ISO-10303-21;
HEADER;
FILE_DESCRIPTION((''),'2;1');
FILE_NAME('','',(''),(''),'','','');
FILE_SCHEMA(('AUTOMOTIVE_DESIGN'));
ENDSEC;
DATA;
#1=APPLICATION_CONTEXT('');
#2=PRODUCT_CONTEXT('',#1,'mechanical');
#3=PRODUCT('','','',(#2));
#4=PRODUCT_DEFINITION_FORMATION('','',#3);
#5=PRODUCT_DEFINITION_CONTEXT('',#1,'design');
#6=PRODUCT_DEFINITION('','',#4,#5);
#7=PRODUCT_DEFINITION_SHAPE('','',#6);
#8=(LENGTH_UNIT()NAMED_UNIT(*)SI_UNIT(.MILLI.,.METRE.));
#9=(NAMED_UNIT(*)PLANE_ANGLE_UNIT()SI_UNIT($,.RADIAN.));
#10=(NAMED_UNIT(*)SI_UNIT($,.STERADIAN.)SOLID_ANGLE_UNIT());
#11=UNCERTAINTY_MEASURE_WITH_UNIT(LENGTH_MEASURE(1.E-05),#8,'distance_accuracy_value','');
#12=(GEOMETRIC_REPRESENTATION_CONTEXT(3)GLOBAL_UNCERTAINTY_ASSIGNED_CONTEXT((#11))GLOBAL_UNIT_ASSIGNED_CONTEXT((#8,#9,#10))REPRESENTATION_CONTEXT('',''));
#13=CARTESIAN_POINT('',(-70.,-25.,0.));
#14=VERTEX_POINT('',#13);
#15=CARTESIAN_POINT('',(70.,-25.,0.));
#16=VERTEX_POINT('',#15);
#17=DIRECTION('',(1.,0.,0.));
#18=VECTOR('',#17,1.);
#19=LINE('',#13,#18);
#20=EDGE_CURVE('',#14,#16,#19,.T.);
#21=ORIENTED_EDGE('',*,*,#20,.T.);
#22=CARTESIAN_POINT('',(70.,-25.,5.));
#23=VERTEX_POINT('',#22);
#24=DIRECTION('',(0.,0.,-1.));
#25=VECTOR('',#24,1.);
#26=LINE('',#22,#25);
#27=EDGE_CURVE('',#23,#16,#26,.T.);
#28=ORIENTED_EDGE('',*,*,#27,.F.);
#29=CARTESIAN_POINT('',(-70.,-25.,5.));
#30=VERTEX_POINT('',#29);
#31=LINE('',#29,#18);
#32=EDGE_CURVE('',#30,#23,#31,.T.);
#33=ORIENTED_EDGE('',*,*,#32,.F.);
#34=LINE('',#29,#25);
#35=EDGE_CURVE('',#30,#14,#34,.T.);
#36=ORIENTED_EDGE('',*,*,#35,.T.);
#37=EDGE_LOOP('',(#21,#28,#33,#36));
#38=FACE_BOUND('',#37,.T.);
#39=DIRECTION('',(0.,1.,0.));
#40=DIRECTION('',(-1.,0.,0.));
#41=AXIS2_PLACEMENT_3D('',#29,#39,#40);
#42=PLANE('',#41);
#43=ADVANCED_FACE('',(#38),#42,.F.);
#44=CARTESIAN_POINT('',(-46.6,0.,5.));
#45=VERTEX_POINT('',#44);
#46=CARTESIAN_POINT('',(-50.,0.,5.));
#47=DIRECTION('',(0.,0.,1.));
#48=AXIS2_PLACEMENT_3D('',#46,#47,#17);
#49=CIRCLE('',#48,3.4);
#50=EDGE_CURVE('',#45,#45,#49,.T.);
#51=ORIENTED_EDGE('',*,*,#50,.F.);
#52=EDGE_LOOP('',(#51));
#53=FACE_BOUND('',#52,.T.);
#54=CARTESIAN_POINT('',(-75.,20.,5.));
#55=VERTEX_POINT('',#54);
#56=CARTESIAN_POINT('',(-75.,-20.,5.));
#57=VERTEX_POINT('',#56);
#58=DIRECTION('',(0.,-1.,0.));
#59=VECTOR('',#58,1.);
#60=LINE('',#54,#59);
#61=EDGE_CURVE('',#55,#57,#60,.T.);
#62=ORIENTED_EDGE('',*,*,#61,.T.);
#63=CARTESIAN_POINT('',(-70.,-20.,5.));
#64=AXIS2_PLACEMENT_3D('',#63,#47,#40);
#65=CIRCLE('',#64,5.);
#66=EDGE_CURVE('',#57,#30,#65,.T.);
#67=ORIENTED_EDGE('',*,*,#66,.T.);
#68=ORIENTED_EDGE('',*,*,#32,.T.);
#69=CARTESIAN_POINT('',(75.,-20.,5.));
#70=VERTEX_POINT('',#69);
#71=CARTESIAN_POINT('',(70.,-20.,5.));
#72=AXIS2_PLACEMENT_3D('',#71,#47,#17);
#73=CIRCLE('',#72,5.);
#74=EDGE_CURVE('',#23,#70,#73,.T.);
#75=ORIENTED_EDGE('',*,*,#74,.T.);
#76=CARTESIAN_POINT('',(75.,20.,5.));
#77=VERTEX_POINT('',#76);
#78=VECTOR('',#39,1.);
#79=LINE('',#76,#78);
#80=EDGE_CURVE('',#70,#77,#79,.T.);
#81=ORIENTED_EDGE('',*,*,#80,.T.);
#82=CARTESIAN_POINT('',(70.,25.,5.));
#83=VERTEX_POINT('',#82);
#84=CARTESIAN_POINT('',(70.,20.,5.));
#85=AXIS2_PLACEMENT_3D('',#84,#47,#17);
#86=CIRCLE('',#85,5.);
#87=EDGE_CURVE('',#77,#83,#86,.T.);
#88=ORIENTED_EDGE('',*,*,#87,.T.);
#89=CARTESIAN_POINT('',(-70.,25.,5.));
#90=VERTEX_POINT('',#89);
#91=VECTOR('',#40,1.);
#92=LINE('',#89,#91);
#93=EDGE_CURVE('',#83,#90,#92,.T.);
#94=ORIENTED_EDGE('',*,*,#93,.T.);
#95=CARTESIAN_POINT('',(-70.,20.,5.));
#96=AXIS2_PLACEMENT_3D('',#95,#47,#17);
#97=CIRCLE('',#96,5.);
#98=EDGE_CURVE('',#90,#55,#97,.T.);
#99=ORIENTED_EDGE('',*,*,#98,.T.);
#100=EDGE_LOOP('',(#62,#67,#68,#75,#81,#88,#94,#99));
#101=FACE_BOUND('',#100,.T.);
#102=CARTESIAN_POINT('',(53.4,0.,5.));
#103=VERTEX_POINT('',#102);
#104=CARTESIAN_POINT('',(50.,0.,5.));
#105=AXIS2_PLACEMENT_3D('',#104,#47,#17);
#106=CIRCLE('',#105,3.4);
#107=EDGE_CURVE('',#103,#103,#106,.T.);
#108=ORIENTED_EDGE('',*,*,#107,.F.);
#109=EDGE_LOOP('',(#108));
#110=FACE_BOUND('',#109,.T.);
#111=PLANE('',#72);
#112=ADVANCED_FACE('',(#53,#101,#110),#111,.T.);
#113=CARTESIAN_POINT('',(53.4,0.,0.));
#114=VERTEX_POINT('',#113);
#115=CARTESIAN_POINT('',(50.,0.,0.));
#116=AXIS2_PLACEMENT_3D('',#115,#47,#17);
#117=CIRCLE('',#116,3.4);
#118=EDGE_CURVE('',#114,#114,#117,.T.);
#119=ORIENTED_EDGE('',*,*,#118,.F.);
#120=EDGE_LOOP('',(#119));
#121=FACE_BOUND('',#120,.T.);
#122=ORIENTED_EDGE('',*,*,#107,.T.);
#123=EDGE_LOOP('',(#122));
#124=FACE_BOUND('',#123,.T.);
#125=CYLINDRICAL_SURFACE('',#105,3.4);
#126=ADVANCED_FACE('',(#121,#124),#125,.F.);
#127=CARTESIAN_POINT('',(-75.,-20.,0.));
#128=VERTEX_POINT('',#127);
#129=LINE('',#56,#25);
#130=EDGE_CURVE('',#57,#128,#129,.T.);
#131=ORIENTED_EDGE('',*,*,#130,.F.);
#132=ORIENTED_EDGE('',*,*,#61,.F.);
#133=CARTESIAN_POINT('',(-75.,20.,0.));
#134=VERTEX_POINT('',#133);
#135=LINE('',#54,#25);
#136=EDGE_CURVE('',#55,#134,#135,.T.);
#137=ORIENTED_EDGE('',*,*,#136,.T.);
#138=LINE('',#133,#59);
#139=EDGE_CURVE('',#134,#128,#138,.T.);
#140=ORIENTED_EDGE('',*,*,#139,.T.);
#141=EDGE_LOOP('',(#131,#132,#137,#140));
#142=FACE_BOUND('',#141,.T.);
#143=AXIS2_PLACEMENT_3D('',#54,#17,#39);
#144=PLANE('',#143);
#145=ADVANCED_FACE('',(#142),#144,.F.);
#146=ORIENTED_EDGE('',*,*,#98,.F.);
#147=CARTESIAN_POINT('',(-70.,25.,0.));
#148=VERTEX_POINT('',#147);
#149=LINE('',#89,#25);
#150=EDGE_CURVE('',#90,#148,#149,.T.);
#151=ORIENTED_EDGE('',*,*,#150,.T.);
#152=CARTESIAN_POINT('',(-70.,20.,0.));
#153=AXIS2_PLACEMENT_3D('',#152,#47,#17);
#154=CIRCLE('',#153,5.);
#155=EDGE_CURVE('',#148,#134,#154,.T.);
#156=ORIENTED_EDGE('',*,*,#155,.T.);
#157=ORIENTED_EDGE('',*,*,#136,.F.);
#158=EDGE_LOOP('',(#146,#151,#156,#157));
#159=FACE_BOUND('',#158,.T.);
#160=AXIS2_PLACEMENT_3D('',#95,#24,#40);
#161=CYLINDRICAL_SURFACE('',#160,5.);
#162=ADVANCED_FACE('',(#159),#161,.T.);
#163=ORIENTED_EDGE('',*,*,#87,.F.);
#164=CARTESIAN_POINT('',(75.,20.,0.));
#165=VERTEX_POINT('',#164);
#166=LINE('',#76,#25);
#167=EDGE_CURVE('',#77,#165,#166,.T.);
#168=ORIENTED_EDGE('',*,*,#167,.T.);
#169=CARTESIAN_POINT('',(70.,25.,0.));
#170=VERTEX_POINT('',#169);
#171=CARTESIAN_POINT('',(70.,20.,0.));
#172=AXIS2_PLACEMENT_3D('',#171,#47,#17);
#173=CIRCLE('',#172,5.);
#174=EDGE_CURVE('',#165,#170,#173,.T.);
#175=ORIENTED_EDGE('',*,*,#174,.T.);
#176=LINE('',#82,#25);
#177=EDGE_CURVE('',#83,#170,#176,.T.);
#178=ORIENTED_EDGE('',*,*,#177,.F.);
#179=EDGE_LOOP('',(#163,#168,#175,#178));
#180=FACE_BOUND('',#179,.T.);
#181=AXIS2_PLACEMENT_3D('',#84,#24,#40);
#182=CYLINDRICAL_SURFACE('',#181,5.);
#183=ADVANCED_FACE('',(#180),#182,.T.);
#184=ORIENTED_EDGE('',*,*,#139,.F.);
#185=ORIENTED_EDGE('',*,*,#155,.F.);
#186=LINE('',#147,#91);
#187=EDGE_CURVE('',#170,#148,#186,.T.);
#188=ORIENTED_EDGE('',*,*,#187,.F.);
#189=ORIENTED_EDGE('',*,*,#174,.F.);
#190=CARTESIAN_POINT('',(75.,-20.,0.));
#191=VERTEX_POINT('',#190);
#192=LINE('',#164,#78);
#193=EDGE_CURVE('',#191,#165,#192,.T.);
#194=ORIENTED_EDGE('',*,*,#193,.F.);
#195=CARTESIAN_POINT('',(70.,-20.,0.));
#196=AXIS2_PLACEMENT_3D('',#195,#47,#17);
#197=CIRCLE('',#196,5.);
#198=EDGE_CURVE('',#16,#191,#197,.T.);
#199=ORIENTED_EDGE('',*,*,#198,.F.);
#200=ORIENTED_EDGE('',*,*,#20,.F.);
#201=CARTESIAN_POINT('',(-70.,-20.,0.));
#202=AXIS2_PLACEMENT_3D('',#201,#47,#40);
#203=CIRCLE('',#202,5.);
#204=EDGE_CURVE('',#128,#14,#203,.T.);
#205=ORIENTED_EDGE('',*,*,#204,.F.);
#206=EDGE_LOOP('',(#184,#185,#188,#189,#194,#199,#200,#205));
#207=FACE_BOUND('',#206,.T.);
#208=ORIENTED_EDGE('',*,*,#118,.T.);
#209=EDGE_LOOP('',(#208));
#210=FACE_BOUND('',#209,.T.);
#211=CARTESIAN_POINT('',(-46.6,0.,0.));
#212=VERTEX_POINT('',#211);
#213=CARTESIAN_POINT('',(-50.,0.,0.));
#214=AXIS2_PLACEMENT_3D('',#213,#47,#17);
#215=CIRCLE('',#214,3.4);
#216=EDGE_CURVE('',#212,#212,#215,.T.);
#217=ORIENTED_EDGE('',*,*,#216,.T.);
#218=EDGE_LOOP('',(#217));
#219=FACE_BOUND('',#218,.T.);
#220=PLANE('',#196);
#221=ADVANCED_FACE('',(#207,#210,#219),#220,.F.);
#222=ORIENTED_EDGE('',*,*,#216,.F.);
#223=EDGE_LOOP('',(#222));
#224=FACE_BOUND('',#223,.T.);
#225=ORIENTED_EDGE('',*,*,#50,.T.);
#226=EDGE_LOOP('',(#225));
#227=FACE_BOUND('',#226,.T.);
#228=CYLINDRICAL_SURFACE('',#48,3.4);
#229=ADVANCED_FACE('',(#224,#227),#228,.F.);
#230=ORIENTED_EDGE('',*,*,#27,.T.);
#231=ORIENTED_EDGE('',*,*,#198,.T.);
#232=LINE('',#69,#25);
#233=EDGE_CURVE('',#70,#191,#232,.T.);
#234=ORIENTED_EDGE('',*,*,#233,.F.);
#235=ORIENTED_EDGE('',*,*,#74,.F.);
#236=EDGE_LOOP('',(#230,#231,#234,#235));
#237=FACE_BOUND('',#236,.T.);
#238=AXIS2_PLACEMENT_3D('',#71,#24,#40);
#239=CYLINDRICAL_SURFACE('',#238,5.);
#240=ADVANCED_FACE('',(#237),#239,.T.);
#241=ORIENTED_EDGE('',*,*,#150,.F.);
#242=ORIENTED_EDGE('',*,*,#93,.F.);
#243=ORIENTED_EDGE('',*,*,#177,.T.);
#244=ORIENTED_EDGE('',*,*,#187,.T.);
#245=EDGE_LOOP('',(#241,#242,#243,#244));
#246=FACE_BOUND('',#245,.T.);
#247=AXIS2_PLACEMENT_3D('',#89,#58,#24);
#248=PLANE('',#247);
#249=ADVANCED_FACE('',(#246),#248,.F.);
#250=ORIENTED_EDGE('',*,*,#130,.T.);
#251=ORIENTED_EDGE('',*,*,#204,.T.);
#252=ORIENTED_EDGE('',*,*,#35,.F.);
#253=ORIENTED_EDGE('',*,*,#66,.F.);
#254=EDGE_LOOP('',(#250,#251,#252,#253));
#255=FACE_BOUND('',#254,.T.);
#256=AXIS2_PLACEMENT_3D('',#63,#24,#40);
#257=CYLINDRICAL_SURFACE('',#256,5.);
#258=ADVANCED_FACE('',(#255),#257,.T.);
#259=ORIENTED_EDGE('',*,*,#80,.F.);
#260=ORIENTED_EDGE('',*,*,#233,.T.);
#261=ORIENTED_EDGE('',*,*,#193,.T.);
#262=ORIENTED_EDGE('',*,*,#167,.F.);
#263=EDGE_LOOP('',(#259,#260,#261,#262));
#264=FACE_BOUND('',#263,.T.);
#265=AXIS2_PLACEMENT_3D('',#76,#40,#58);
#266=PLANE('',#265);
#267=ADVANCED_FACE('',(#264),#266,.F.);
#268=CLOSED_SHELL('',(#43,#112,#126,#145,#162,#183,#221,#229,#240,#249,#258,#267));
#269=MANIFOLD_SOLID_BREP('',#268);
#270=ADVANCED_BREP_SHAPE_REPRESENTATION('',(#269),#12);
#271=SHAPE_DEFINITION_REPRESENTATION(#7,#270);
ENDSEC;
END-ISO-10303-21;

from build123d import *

# Parameters (mm, degrees)
EXTRUDE_1_DEPTH    = 5
HOLE_WIZARD_M8_2_D = 6.8


with BuildPart() as part:
    # 草图1 → 凸台-拉伸1 (new body)
    with BuildSketch(Plane.XY):
        with BuildLine():
            Line((-70, 25), (70, 25))
            ThreePointArc((70, 25), (73.535533906, 23.535533906), (75, 20))
            Line((75, 20), (75, -20))
            ThreePointArc((75, -20), (73.535533906, -23.535533906), (70, -25))
            Line((70, -25), (-70, -25))
            ThreePointArc((-70, -25), (-73.535533906, -23.535533906), (-75, -20))
            Line((-75, -20), (-75, 20))
            ThreePointArc((-75, 20), (-73.535533906, 23.535533906), (-70, 25))
        make_face()
    extrude(amount=EXTRUDE_1_DEPTH)

    # M8 螺纹槽口的螺纹槽口钻头2 (through all)
    with Locations(Plane.XY.offset(5)):
        with Locations((-50, 0), (50, 0)):
            Hole(HOLE_WIZARD_M8_2_D / 2)


solid = part.part
